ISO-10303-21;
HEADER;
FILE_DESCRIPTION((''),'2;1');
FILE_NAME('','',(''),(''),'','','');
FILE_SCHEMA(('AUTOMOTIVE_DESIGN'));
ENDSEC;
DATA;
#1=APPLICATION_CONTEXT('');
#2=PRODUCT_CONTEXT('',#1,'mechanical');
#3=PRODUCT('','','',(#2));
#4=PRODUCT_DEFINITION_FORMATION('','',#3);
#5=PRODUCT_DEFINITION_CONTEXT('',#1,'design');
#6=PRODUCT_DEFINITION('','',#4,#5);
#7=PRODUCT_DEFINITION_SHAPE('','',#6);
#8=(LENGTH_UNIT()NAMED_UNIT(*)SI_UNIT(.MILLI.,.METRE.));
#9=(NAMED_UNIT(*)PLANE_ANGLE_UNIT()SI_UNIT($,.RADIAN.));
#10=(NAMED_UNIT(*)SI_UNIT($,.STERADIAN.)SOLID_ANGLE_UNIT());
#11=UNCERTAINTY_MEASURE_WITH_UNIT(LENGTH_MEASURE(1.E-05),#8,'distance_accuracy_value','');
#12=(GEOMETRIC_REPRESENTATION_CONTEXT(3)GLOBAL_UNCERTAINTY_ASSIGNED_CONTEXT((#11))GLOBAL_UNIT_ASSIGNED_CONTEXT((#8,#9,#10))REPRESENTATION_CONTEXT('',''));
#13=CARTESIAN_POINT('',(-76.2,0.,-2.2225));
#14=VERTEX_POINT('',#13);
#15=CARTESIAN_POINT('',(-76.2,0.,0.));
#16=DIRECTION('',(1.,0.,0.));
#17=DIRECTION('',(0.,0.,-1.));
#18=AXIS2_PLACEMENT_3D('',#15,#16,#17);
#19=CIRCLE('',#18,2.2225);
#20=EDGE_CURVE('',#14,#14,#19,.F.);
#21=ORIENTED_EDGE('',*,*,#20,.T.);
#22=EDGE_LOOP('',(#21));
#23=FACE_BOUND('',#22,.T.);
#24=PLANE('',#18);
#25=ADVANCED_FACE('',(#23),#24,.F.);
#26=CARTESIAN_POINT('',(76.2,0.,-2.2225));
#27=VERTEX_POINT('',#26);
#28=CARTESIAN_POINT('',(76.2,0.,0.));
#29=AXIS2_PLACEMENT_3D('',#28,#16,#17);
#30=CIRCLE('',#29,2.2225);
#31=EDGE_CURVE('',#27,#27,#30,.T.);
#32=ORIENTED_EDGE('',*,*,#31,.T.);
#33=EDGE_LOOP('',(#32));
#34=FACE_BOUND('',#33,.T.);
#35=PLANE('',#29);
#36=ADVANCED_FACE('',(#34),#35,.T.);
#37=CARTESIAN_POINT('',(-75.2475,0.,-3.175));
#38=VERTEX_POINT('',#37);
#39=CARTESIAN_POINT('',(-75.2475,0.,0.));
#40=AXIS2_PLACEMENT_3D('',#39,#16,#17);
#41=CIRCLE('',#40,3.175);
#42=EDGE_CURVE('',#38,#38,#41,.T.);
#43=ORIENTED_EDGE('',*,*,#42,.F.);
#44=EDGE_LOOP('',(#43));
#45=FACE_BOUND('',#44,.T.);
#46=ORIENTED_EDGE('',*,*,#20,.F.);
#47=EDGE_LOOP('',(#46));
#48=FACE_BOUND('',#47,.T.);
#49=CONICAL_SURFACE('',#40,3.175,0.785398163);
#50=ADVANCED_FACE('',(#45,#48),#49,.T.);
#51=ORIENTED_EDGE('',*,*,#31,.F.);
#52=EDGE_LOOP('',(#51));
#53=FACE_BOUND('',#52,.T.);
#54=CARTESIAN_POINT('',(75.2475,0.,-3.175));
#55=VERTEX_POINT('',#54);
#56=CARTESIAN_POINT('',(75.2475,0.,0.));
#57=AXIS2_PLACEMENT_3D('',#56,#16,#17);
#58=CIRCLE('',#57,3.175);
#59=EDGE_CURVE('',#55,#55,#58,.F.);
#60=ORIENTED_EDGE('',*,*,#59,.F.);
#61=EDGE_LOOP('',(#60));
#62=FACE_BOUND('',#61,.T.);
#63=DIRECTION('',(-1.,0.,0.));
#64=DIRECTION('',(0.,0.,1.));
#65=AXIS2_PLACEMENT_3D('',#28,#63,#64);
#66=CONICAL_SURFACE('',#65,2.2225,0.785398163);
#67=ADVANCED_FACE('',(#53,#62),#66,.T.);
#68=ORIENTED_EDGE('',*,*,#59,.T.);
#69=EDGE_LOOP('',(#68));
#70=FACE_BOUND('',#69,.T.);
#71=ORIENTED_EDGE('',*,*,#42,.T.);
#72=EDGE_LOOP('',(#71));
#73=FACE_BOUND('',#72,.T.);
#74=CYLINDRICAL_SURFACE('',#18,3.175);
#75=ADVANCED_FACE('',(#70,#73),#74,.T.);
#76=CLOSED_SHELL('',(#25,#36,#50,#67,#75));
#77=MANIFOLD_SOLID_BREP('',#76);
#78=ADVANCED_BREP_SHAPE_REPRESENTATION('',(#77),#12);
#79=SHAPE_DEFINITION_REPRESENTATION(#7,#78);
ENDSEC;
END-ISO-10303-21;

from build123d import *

# Parameters (mm, degrees)
SKETCH2_R                = 3.175
BOSS_EXTRUDE1_DEPTH      = 76.2
BOSS_EXTRUDE1_DEPTH_BACK = 76.2
CHAMFER1_SIZE            = 0.9525


with BuildPart() as part:
    # Sketch2 → Boss-Extrude1 (new body, two sides)
    with BuildSketch(Plane(origin=(0, 0, 0), x_dir=(0, 0, -1), z_dir=(1, 0, 0))) as boss_extrude1_sk:
        Circle(SKETCH2_R)
    extrude(amount=BOSS_EXTRUDE1_DEPTH)
    extrude(boss_extrude1_sk.sketch, amount=-BOSS_EXTRUDE1_DEPTH_BACK)

    # Chamfer1
    chamfer1_edges = [part.edges().sort_by_distance(p)[0] for p in [
        (-76.2, 0, 3.175),
        (76.2, 0, 3.175),
    ]]
    chamfer(chamfer1_edges, length=CHAMFER1_SIZE)


solid = part.part
